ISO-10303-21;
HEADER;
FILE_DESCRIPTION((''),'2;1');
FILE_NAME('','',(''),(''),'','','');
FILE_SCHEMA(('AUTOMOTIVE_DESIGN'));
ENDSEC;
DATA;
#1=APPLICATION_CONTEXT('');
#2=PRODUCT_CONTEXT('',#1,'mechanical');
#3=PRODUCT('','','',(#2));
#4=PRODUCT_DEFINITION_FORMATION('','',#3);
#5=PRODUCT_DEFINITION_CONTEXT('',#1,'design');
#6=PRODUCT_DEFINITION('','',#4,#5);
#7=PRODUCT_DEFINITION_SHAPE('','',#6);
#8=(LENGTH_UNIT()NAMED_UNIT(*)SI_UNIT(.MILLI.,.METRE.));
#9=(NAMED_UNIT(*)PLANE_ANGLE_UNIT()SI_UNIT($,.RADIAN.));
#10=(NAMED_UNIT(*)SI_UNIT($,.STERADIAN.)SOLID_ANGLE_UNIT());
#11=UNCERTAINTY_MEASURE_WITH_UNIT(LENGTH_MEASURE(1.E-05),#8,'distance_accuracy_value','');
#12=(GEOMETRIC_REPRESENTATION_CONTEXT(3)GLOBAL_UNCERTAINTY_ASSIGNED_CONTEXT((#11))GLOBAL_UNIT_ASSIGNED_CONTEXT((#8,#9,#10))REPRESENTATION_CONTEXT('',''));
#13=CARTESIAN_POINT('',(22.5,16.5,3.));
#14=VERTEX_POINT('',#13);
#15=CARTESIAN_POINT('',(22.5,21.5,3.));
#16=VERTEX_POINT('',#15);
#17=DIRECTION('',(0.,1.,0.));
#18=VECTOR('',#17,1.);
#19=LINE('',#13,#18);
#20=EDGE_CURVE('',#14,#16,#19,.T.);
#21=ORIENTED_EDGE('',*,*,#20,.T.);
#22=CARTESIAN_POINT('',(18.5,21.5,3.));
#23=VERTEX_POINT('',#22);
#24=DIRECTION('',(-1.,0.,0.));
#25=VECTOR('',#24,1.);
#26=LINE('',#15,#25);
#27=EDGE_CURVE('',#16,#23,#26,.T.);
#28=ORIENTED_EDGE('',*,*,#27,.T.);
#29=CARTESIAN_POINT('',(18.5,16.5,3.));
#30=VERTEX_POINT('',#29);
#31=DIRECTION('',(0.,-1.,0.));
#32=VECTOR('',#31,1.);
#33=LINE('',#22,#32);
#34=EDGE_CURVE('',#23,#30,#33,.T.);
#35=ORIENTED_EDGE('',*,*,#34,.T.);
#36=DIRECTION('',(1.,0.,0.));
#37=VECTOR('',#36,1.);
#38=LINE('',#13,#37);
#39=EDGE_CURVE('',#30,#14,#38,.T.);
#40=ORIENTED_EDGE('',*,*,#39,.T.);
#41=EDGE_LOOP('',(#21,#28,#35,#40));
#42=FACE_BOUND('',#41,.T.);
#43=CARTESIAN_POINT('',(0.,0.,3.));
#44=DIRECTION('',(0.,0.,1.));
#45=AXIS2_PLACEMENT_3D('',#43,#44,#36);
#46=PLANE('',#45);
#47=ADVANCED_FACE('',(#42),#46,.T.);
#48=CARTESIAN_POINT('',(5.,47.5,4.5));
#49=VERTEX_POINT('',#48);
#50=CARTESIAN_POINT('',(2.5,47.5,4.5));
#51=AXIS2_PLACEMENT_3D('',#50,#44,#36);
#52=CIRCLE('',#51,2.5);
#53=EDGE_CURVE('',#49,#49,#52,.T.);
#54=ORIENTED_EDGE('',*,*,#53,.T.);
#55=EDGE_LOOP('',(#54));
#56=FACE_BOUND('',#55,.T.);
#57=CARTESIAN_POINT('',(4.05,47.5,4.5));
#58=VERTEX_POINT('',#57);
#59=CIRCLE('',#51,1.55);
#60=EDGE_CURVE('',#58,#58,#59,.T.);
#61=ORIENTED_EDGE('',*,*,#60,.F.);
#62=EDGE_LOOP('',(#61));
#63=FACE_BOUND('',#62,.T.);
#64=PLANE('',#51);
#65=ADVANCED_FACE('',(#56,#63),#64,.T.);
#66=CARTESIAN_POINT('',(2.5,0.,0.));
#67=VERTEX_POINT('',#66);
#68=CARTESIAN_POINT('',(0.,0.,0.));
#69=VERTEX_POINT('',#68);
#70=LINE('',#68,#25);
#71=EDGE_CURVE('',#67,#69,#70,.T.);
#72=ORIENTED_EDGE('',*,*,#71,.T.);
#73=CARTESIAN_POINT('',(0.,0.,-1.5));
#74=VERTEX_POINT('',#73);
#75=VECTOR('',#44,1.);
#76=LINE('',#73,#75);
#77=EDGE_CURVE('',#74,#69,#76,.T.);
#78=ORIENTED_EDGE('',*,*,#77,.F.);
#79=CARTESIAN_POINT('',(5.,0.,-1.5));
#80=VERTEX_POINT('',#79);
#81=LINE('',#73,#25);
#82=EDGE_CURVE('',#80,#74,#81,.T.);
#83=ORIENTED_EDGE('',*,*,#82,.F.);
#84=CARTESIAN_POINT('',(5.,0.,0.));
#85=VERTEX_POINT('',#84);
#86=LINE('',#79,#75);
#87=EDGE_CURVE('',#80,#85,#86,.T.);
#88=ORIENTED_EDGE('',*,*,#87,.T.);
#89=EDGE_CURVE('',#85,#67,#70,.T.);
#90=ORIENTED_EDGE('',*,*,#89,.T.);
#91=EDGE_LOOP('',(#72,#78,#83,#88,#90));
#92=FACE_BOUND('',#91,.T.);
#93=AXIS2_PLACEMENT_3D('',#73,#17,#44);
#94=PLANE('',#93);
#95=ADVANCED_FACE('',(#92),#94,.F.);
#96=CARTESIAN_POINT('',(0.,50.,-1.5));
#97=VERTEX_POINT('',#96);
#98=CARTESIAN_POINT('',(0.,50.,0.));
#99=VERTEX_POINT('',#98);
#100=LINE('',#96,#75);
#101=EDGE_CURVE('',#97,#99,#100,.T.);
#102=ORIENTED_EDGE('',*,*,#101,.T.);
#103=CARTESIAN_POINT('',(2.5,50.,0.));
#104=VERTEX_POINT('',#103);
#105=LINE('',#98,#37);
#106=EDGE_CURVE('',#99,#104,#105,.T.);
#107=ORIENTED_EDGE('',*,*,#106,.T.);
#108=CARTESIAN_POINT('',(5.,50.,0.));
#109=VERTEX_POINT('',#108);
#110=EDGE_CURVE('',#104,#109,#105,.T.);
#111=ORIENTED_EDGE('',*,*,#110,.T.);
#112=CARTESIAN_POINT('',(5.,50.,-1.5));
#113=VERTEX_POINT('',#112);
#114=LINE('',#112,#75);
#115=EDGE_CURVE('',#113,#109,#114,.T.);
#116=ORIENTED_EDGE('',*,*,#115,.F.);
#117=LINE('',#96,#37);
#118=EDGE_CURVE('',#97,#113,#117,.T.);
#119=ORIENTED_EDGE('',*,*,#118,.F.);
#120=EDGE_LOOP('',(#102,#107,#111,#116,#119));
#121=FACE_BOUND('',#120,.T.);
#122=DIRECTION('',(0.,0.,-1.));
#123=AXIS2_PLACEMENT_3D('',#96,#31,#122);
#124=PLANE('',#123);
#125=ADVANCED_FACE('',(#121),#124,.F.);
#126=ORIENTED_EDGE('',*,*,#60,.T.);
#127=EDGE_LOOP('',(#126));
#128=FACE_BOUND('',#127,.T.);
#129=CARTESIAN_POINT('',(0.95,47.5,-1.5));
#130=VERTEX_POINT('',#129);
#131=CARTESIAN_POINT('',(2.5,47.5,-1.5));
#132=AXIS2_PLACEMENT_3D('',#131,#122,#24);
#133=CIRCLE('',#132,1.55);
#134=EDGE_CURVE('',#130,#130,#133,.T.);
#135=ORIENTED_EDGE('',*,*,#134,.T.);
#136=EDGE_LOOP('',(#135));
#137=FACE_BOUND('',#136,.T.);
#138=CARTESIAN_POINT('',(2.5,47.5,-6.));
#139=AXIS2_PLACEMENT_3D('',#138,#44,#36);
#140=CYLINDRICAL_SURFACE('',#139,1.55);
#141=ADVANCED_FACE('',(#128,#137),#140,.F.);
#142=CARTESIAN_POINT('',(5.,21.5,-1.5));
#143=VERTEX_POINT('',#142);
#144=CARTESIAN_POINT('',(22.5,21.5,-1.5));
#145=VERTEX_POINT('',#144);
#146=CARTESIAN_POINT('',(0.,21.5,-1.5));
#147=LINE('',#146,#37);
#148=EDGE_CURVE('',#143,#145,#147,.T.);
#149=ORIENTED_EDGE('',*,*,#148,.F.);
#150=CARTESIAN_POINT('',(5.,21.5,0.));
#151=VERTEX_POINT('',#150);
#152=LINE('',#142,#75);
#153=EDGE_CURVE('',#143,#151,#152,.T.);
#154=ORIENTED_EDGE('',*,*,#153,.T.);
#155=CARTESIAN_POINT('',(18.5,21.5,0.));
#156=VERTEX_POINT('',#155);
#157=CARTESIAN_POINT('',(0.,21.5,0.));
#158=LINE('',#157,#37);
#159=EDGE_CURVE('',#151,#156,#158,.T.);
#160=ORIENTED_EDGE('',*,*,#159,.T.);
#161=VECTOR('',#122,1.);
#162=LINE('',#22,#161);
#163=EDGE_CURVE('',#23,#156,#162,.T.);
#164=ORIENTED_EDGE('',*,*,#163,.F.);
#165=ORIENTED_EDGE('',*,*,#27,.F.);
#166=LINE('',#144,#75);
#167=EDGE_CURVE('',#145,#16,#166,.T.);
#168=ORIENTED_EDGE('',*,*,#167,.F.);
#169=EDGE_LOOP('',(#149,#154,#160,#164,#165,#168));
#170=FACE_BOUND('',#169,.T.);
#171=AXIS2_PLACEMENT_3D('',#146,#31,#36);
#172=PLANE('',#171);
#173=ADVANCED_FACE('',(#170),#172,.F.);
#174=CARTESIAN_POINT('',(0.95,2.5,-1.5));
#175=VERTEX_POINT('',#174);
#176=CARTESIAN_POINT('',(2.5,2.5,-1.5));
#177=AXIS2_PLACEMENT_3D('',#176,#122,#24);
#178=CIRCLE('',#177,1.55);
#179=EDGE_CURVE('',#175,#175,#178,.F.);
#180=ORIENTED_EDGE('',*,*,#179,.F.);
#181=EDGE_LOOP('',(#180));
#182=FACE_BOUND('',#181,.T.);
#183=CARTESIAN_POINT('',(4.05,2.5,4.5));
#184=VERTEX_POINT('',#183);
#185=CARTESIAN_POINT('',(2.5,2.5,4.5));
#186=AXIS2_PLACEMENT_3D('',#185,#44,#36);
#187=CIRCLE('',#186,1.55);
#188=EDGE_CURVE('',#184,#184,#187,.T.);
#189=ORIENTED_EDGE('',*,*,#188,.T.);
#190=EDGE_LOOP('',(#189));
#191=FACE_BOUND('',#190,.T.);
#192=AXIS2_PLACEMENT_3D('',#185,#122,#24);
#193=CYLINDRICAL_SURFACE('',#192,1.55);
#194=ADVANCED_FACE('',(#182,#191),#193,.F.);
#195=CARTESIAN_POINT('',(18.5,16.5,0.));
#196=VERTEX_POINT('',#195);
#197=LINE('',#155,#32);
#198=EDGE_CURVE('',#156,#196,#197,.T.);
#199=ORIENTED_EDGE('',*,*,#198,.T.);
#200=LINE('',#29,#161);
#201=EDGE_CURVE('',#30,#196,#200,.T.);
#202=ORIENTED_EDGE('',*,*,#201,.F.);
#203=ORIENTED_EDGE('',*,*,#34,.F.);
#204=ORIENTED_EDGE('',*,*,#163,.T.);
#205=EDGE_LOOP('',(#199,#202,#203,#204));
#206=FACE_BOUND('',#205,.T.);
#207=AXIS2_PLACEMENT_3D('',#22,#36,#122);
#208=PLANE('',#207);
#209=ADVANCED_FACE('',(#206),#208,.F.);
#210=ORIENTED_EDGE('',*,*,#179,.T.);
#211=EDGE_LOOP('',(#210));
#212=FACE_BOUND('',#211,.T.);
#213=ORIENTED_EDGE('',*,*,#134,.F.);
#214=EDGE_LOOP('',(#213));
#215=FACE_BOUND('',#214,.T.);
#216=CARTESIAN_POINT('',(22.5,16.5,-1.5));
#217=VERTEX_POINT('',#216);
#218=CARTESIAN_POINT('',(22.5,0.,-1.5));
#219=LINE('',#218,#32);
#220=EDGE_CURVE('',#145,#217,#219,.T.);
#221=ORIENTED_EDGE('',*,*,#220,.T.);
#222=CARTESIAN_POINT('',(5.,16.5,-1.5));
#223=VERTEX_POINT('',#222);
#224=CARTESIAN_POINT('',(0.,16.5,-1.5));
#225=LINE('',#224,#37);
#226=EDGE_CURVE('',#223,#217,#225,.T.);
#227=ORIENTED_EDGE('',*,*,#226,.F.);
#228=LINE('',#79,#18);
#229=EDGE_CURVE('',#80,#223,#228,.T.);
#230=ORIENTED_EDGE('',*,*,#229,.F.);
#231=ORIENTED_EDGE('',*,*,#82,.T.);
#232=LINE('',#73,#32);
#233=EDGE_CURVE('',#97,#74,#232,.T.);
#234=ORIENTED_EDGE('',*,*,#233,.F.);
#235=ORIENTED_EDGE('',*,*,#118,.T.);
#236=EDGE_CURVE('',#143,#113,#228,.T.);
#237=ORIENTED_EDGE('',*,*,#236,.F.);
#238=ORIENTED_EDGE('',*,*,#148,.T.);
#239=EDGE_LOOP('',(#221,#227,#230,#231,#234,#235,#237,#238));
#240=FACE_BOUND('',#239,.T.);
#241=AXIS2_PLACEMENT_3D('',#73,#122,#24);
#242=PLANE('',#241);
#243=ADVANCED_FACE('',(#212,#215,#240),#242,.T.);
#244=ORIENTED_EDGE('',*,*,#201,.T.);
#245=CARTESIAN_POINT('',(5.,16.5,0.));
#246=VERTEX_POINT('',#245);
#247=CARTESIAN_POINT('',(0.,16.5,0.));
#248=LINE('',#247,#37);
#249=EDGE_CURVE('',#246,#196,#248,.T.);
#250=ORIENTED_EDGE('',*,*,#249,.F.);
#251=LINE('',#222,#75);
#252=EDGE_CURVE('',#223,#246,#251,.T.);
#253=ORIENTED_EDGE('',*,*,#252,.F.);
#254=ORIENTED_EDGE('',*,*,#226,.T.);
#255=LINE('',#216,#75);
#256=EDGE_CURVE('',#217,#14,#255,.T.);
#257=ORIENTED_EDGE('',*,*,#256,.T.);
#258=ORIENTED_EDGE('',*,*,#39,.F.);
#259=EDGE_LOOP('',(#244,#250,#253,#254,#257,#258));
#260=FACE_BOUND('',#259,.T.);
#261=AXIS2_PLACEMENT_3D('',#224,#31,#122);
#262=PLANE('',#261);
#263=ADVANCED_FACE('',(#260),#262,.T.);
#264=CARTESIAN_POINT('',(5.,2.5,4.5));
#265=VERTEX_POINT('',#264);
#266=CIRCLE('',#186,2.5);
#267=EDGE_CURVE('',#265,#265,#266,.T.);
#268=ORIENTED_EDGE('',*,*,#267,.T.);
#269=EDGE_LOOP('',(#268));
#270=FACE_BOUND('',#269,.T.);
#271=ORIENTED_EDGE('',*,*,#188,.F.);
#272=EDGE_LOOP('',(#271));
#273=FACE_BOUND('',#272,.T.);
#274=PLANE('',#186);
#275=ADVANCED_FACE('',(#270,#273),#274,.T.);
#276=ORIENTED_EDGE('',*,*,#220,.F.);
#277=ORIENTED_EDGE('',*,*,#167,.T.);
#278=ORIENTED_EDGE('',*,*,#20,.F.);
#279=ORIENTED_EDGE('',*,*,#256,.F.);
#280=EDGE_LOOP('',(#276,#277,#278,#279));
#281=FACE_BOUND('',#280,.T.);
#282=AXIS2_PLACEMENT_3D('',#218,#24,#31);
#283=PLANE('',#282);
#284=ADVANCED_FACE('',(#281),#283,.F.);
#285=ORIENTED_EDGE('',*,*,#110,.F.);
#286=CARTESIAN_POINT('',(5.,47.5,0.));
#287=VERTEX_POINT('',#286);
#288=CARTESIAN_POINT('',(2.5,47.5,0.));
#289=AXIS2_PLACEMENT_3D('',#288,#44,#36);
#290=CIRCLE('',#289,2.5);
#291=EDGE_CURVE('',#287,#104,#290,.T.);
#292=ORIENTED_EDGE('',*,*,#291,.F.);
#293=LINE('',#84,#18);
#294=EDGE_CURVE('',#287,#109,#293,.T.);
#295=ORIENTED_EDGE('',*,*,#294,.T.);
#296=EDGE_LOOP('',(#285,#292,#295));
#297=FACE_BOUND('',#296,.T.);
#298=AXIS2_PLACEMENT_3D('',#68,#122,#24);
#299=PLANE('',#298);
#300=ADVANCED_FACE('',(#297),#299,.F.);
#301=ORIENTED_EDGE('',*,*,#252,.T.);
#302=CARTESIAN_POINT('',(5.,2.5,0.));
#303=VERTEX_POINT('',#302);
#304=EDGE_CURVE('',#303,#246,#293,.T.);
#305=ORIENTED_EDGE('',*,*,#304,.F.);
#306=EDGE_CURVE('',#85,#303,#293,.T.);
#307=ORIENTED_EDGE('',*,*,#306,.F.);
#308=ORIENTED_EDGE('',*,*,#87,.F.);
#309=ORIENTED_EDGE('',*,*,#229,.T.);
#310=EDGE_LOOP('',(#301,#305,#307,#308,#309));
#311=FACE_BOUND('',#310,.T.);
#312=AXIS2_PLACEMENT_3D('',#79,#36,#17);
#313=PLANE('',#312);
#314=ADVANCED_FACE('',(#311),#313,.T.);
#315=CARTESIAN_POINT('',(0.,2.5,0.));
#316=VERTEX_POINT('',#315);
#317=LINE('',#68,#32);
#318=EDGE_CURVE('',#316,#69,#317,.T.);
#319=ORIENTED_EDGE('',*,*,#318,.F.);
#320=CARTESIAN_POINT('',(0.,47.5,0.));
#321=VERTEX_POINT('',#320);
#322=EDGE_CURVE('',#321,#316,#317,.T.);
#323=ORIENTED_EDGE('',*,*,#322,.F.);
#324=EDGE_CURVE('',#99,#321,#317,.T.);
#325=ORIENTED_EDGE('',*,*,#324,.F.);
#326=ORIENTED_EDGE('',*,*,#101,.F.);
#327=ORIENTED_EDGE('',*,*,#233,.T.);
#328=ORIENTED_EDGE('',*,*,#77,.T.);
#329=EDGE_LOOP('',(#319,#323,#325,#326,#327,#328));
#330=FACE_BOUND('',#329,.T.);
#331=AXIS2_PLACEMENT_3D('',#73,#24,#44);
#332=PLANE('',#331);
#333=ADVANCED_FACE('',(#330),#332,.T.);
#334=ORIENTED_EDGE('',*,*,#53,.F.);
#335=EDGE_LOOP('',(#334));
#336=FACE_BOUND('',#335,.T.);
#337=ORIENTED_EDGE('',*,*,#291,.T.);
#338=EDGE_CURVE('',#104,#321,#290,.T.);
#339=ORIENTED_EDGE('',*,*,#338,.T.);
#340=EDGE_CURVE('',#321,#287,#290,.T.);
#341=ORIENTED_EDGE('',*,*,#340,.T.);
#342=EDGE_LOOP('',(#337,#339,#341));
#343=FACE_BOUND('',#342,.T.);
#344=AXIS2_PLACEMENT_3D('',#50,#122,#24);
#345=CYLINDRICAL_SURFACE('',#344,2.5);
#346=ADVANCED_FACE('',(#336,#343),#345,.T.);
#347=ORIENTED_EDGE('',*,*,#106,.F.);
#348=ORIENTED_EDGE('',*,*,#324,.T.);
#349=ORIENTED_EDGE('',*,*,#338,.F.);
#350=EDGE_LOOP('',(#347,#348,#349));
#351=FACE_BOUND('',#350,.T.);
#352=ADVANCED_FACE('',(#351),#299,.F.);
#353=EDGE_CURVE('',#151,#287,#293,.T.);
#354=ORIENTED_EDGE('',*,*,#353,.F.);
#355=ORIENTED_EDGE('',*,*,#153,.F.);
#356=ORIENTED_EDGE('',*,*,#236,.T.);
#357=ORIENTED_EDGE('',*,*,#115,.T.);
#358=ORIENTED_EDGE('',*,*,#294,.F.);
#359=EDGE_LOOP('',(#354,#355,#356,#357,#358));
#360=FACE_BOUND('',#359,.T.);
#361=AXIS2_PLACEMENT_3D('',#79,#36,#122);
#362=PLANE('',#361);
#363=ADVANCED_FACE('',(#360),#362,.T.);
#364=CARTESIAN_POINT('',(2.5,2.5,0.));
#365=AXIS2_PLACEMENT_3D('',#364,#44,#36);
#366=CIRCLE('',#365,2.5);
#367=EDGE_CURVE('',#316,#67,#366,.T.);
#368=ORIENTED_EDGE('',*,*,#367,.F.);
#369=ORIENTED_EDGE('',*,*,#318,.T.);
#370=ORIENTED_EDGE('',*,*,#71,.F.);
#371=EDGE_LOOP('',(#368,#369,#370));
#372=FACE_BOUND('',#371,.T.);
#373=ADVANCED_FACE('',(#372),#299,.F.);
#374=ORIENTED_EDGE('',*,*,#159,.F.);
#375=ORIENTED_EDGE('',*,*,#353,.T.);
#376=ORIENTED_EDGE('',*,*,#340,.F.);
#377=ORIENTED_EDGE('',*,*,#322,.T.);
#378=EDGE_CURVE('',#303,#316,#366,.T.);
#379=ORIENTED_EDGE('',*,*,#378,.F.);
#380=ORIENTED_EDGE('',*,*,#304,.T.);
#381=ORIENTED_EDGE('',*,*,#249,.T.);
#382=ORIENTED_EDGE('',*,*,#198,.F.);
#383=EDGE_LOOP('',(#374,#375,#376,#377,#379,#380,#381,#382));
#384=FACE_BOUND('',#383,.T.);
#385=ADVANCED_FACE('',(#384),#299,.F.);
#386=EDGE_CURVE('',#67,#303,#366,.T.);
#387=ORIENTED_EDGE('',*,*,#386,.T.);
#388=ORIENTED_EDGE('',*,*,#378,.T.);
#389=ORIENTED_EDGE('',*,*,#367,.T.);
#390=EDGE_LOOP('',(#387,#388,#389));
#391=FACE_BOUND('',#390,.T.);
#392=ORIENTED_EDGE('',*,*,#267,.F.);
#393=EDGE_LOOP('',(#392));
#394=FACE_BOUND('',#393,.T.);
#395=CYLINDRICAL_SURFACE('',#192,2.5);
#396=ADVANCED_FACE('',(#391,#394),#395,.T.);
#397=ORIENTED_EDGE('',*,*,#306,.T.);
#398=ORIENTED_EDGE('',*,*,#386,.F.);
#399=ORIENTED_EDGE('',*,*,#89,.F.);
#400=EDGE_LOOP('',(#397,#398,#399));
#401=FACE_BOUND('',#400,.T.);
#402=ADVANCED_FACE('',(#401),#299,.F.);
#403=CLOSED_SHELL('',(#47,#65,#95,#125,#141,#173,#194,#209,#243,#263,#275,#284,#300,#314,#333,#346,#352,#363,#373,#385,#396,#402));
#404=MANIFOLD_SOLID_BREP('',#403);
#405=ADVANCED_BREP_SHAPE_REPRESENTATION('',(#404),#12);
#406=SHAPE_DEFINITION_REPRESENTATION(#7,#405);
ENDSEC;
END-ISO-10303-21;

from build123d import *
from build123d.topology import SkipClean

# Parameters (mm, degrees)
SKETCH1_R           = 2.5
SKETCH1_R_2         = 1.55
BOSS_EXTRUDE1_DEPTH = 4.5
BOSS_EXTRUDE2_START = 1.5
SKETCH2_R           = 1.55
BOSS_EXTRUDE2_DEPTH = 1.5
SKETCH3_W           = 4
SKETCH3_H           = 5
BOSS_EXTRUDE3_DEPTH = 3
SKETCH4_R           = 2.5
BOSS_EXTRUDE4_DEPTH = 4.5
SKETCH5_R           = 1.55
CUT_EXTRUDE1_DEPTH  = 10.5


with BuildPart() as part:
    # Sketch1 → Boss-Extrude1 (new body)
    with BuildSketch(Plane.XY):
        with Locations((2.5, 2.5)):
            Circle(SKETCH1_R)
        with Locations((2.5, 2.5)):
            Circle(SKETCH1_R_2, mode=Mode.SUBTRACT)
    extrude(amount=BOSS_EXTRUDE1_DEPTH)

    # Sketch2 → Boss-Extrude2 (add)
    with SkipClean():  # the faces are left unmerged after this step: merging them gives an invalid solid
        with BuildSketch(Plane(origin=(0, 0, 0), x_dir=(-1, 0, 0), z_dir=(0, 0, -1)).offset(BOSS_EXTRUDE2_START)):
            Polygon((-5, 0), (0, 0), (0, 50), (-5, 50), (-5, 21.5), (-22.5, 21.5), (-22.5, 16.5), (-5, 16.5), align=None)
            with Locations((-2.5, 2.5)):
                Circle(SKETCH2_R, mode=Mode.SUBTRACT)
        extrude(amount=-BOSS_EXTRUDE2_DEPTH)

    # Sketch3 → Boss-Extrude3 (add)
    with SkipClean():  # the faces are left unmerged after this step: merging them gives an invalid solid
        with BuildSketch(Plane.XY):
            with Locations((20.5, 19)):
                Rectangle(SKETCH3_W, SKETCH3_H)
        extrude(amount=BOSS_EXTRUDE3_DEPTH)

    # Sketch4 → Boss-Extrude4 (add)
    with SkipClean():  # the faces are left unmerged after this step: merging them gives an invalid solid
        with BuildSketch(Plane.XY):
            with Locations((2.5, 47.5)):
                Circle(SKETCH4_R)
        extrude(amount=BOSS_EXTRUDE4_DEPTH)

    # Sketch5 → Cut-Extrude1 (cut)
    with SkipClean():  # the faces are left unmerged after this step: merging them gives an invalid solid
        with BuildSketch(Plane.XY.offset(4.5)):
            with Locations((2.5, 47.5)):
                Circle(SKETCH5_R)
        extrude(amount=-CUT_EXTRUDE1_DEPTH, mode=Mode.SUBTRACT)


solid = part.part
